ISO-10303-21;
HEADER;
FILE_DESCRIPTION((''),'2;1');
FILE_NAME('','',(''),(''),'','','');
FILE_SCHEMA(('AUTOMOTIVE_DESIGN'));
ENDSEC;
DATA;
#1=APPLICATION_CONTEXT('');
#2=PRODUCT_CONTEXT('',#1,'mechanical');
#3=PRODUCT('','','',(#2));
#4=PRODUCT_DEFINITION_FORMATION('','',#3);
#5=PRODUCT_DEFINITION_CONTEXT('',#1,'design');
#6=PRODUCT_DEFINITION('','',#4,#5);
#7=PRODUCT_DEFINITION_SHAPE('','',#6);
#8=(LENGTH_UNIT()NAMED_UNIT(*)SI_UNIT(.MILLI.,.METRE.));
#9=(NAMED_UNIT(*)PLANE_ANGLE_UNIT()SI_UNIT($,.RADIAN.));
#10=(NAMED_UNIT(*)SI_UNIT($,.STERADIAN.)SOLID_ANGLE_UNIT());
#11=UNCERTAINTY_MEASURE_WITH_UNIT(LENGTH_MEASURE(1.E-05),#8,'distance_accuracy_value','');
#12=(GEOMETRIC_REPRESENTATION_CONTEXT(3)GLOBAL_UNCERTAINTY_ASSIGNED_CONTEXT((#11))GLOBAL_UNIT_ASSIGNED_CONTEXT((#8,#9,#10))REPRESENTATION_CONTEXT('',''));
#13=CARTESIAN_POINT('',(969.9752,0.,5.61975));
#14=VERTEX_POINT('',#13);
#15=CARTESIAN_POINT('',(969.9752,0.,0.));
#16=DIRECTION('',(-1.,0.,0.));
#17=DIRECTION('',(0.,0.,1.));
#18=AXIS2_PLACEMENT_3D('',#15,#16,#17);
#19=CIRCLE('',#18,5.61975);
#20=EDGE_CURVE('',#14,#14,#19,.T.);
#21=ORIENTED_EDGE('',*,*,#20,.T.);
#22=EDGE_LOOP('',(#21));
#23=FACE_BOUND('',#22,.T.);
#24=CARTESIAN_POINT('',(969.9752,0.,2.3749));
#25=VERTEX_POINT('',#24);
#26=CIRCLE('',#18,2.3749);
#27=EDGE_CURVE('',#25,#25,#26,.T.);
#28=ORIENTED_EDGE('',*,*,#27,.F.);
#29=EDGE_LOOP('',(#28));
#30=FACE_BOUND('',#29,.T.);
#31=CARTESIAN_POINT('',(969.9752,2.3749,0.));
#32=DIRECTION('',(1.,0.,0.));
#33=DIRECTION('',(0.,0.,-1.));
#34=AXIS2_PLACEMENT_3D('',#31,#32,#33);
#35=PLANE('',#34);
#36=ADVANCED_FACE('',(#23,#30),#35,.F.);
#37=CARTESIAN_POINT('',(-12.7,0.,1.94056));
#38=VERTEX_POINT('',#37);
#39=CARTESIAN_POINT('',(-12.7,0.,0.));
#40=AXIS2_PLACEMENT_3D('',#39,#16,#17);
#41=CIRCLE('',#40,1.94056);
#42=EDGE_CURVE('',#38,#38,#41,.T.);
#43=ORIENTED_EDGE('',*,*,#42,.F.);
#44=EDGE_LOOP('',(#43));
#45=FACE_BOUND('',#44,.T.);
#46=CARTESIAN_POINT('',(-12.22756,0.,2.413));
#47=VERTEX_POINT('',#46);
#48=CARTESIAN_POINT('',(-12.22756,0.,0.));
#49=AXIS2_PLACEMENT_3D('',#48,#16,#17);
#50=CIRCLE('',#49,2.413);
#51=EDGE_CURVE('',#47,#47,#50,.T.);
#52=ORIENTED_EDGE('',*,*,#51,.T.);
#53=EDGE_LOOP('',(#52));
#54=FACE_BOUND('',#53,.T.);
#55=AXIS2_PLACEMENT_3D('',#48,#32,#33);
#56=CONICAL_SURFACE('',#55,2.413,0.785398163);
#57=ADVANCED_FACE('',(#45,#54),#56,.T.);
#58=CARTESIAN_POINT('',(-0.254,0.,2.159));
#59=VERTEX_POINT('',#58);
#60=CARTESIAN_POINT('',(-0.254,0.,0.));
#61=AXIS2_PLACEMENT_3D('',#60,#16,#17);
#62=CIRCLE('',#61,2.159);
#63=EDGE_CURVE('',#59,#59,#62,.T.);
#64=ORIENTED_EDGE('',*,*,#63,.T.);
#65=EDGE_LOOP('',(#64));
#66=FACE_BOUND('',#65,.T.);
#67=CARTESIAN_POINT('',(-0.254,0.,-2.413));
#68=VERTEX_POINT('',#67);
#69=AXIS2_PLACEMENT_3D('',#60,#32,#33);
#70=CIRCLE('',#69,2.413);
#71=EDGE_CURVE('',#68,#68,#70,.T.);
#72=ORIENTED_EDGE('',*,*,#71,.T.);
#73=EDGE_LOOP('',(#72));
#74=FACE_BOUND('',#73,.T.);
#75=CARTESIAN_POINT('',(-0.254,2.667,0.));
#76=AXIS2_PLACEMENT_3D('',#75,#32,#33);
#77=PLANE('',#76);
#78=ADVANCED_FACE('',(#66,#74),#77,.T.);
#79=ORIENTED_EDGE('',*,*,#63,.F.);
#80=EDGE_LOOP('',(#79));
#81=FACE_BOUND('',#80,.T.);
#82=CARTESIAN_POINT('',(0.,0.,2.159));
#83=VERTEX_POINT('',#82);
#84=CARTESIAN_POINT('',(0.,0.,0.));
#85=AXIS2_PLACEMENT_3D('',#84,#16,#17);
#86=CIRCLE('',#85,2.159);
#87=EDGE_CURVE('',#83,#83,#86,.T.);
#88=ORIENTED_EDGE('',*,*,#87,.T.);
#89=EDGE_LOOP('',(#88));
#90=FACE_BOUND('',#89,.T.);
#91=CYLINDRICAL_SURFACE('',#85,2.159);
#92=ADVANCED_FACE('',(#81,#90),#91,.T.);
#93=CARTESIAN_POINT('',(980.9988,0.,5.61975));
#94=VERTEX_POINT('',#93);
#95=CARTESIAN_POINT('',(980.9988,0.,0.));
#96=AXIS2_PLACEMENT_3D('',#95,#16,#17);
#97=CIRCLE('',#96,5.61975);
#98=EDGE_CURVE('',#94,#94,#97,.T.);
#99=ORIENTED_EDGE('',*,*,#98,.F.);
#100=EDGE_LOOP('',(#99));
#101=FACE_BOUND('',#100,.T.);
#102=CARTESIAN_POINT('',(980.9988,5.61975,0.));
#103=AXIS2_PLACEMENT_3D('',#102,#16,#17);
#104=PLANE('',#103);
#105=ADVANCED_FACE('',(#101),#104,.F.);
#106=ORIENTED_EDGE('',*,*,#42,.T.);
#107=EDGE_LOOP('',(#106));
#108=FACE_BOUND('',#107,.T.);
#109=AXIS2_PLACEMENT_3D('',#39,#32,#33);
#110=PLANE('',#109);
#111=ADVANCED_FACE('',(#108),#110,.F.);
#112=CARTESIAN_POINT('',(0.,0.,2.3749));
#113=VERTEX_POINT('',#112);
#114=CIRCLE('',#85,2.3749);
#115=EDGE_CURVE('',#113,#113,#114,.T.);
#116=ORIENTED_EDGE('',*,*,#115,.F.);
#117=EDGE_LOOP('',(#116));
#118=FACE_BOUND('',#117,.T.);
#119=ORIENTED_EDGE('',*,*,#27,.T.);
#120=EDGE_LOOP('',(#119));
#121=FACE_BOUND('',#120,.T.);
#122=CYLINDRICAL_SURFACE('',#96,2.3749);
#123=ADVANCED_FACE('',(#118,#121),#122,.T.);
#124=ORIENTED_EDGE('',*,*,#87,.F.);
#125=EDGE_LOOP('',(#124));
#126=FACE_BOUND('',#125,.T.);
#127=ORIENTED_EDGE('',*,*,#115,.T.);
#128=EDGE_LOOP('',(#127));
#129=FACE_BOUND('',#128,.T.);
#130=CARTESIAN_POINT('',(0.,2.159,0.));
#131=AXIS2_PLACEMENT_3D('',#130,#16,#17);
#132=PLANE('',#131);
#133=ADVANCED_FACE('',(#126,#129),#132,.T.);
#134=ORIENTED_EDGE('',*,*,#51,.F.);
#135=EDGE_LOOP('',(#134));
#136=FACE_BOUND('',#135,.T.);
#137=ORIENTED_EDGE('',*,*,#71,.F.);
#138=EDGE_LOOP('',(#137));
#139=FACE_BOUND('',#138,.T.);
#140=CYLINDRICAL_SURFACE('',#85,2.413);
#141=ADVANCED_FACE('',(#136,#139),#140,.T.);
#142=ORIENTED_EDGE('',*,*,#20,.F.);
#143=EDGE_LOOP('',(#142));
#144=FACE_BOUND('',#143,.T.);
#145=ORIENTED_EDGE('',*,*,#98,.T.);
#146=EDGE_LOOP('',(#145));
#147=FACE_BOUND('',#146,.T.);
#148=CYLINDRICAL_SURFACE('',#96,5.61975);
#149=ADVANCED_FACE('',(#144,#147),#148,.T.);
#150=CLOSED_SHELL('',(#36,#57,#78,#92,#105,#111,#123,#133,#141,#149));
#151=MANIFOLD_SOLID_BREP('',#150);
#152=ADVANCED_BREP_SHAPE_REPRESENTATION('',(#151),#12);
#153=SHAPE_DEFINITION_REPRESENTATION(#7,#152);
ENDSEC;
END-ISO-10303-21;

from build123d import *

# Parameters (mm, degrees)
SKETCH3_W = 0.254
SKETCH3_H = 0.508


with BuildPart() as part:
    # Sketch1 → Revolve1 (revolve)
    with BuildSketch(Plane.XY):
        Polygon((0, 0), (0, 2.3749), (969.9752, 2.3749), (969.9752, 5.61975), (980.9988, 5.61975), (980.9988, 0), align=None)
    revolve(axis=Axis((980.9988, 0, 0), (-1, 0, 0)))

    # Sketch2 → Revolve2 (revolve)
    with BuildSketch(Plane.XY):
        Polygon((-12.7, 0), (-12.7, 1.94056), (-12.22756, 2.413), (0, 2.413), (0, 0), align=None)
    revolve(axis=Axis((0, 0, 0), (-1, 0, 0)))

    # Sketch3 → Cut-Revolve1 (revolve, cut)
    with BuildSketch(Plane.XY):
        with Locations((-0.127, 2.413)):
            Rectangle(SKETCH3_W, SKETCH3_H)
    revolve(axis=Axis((0, 0, 0), (-1, 0, 0)), mode=Mode.SUBTRACT)


solid = part.part
